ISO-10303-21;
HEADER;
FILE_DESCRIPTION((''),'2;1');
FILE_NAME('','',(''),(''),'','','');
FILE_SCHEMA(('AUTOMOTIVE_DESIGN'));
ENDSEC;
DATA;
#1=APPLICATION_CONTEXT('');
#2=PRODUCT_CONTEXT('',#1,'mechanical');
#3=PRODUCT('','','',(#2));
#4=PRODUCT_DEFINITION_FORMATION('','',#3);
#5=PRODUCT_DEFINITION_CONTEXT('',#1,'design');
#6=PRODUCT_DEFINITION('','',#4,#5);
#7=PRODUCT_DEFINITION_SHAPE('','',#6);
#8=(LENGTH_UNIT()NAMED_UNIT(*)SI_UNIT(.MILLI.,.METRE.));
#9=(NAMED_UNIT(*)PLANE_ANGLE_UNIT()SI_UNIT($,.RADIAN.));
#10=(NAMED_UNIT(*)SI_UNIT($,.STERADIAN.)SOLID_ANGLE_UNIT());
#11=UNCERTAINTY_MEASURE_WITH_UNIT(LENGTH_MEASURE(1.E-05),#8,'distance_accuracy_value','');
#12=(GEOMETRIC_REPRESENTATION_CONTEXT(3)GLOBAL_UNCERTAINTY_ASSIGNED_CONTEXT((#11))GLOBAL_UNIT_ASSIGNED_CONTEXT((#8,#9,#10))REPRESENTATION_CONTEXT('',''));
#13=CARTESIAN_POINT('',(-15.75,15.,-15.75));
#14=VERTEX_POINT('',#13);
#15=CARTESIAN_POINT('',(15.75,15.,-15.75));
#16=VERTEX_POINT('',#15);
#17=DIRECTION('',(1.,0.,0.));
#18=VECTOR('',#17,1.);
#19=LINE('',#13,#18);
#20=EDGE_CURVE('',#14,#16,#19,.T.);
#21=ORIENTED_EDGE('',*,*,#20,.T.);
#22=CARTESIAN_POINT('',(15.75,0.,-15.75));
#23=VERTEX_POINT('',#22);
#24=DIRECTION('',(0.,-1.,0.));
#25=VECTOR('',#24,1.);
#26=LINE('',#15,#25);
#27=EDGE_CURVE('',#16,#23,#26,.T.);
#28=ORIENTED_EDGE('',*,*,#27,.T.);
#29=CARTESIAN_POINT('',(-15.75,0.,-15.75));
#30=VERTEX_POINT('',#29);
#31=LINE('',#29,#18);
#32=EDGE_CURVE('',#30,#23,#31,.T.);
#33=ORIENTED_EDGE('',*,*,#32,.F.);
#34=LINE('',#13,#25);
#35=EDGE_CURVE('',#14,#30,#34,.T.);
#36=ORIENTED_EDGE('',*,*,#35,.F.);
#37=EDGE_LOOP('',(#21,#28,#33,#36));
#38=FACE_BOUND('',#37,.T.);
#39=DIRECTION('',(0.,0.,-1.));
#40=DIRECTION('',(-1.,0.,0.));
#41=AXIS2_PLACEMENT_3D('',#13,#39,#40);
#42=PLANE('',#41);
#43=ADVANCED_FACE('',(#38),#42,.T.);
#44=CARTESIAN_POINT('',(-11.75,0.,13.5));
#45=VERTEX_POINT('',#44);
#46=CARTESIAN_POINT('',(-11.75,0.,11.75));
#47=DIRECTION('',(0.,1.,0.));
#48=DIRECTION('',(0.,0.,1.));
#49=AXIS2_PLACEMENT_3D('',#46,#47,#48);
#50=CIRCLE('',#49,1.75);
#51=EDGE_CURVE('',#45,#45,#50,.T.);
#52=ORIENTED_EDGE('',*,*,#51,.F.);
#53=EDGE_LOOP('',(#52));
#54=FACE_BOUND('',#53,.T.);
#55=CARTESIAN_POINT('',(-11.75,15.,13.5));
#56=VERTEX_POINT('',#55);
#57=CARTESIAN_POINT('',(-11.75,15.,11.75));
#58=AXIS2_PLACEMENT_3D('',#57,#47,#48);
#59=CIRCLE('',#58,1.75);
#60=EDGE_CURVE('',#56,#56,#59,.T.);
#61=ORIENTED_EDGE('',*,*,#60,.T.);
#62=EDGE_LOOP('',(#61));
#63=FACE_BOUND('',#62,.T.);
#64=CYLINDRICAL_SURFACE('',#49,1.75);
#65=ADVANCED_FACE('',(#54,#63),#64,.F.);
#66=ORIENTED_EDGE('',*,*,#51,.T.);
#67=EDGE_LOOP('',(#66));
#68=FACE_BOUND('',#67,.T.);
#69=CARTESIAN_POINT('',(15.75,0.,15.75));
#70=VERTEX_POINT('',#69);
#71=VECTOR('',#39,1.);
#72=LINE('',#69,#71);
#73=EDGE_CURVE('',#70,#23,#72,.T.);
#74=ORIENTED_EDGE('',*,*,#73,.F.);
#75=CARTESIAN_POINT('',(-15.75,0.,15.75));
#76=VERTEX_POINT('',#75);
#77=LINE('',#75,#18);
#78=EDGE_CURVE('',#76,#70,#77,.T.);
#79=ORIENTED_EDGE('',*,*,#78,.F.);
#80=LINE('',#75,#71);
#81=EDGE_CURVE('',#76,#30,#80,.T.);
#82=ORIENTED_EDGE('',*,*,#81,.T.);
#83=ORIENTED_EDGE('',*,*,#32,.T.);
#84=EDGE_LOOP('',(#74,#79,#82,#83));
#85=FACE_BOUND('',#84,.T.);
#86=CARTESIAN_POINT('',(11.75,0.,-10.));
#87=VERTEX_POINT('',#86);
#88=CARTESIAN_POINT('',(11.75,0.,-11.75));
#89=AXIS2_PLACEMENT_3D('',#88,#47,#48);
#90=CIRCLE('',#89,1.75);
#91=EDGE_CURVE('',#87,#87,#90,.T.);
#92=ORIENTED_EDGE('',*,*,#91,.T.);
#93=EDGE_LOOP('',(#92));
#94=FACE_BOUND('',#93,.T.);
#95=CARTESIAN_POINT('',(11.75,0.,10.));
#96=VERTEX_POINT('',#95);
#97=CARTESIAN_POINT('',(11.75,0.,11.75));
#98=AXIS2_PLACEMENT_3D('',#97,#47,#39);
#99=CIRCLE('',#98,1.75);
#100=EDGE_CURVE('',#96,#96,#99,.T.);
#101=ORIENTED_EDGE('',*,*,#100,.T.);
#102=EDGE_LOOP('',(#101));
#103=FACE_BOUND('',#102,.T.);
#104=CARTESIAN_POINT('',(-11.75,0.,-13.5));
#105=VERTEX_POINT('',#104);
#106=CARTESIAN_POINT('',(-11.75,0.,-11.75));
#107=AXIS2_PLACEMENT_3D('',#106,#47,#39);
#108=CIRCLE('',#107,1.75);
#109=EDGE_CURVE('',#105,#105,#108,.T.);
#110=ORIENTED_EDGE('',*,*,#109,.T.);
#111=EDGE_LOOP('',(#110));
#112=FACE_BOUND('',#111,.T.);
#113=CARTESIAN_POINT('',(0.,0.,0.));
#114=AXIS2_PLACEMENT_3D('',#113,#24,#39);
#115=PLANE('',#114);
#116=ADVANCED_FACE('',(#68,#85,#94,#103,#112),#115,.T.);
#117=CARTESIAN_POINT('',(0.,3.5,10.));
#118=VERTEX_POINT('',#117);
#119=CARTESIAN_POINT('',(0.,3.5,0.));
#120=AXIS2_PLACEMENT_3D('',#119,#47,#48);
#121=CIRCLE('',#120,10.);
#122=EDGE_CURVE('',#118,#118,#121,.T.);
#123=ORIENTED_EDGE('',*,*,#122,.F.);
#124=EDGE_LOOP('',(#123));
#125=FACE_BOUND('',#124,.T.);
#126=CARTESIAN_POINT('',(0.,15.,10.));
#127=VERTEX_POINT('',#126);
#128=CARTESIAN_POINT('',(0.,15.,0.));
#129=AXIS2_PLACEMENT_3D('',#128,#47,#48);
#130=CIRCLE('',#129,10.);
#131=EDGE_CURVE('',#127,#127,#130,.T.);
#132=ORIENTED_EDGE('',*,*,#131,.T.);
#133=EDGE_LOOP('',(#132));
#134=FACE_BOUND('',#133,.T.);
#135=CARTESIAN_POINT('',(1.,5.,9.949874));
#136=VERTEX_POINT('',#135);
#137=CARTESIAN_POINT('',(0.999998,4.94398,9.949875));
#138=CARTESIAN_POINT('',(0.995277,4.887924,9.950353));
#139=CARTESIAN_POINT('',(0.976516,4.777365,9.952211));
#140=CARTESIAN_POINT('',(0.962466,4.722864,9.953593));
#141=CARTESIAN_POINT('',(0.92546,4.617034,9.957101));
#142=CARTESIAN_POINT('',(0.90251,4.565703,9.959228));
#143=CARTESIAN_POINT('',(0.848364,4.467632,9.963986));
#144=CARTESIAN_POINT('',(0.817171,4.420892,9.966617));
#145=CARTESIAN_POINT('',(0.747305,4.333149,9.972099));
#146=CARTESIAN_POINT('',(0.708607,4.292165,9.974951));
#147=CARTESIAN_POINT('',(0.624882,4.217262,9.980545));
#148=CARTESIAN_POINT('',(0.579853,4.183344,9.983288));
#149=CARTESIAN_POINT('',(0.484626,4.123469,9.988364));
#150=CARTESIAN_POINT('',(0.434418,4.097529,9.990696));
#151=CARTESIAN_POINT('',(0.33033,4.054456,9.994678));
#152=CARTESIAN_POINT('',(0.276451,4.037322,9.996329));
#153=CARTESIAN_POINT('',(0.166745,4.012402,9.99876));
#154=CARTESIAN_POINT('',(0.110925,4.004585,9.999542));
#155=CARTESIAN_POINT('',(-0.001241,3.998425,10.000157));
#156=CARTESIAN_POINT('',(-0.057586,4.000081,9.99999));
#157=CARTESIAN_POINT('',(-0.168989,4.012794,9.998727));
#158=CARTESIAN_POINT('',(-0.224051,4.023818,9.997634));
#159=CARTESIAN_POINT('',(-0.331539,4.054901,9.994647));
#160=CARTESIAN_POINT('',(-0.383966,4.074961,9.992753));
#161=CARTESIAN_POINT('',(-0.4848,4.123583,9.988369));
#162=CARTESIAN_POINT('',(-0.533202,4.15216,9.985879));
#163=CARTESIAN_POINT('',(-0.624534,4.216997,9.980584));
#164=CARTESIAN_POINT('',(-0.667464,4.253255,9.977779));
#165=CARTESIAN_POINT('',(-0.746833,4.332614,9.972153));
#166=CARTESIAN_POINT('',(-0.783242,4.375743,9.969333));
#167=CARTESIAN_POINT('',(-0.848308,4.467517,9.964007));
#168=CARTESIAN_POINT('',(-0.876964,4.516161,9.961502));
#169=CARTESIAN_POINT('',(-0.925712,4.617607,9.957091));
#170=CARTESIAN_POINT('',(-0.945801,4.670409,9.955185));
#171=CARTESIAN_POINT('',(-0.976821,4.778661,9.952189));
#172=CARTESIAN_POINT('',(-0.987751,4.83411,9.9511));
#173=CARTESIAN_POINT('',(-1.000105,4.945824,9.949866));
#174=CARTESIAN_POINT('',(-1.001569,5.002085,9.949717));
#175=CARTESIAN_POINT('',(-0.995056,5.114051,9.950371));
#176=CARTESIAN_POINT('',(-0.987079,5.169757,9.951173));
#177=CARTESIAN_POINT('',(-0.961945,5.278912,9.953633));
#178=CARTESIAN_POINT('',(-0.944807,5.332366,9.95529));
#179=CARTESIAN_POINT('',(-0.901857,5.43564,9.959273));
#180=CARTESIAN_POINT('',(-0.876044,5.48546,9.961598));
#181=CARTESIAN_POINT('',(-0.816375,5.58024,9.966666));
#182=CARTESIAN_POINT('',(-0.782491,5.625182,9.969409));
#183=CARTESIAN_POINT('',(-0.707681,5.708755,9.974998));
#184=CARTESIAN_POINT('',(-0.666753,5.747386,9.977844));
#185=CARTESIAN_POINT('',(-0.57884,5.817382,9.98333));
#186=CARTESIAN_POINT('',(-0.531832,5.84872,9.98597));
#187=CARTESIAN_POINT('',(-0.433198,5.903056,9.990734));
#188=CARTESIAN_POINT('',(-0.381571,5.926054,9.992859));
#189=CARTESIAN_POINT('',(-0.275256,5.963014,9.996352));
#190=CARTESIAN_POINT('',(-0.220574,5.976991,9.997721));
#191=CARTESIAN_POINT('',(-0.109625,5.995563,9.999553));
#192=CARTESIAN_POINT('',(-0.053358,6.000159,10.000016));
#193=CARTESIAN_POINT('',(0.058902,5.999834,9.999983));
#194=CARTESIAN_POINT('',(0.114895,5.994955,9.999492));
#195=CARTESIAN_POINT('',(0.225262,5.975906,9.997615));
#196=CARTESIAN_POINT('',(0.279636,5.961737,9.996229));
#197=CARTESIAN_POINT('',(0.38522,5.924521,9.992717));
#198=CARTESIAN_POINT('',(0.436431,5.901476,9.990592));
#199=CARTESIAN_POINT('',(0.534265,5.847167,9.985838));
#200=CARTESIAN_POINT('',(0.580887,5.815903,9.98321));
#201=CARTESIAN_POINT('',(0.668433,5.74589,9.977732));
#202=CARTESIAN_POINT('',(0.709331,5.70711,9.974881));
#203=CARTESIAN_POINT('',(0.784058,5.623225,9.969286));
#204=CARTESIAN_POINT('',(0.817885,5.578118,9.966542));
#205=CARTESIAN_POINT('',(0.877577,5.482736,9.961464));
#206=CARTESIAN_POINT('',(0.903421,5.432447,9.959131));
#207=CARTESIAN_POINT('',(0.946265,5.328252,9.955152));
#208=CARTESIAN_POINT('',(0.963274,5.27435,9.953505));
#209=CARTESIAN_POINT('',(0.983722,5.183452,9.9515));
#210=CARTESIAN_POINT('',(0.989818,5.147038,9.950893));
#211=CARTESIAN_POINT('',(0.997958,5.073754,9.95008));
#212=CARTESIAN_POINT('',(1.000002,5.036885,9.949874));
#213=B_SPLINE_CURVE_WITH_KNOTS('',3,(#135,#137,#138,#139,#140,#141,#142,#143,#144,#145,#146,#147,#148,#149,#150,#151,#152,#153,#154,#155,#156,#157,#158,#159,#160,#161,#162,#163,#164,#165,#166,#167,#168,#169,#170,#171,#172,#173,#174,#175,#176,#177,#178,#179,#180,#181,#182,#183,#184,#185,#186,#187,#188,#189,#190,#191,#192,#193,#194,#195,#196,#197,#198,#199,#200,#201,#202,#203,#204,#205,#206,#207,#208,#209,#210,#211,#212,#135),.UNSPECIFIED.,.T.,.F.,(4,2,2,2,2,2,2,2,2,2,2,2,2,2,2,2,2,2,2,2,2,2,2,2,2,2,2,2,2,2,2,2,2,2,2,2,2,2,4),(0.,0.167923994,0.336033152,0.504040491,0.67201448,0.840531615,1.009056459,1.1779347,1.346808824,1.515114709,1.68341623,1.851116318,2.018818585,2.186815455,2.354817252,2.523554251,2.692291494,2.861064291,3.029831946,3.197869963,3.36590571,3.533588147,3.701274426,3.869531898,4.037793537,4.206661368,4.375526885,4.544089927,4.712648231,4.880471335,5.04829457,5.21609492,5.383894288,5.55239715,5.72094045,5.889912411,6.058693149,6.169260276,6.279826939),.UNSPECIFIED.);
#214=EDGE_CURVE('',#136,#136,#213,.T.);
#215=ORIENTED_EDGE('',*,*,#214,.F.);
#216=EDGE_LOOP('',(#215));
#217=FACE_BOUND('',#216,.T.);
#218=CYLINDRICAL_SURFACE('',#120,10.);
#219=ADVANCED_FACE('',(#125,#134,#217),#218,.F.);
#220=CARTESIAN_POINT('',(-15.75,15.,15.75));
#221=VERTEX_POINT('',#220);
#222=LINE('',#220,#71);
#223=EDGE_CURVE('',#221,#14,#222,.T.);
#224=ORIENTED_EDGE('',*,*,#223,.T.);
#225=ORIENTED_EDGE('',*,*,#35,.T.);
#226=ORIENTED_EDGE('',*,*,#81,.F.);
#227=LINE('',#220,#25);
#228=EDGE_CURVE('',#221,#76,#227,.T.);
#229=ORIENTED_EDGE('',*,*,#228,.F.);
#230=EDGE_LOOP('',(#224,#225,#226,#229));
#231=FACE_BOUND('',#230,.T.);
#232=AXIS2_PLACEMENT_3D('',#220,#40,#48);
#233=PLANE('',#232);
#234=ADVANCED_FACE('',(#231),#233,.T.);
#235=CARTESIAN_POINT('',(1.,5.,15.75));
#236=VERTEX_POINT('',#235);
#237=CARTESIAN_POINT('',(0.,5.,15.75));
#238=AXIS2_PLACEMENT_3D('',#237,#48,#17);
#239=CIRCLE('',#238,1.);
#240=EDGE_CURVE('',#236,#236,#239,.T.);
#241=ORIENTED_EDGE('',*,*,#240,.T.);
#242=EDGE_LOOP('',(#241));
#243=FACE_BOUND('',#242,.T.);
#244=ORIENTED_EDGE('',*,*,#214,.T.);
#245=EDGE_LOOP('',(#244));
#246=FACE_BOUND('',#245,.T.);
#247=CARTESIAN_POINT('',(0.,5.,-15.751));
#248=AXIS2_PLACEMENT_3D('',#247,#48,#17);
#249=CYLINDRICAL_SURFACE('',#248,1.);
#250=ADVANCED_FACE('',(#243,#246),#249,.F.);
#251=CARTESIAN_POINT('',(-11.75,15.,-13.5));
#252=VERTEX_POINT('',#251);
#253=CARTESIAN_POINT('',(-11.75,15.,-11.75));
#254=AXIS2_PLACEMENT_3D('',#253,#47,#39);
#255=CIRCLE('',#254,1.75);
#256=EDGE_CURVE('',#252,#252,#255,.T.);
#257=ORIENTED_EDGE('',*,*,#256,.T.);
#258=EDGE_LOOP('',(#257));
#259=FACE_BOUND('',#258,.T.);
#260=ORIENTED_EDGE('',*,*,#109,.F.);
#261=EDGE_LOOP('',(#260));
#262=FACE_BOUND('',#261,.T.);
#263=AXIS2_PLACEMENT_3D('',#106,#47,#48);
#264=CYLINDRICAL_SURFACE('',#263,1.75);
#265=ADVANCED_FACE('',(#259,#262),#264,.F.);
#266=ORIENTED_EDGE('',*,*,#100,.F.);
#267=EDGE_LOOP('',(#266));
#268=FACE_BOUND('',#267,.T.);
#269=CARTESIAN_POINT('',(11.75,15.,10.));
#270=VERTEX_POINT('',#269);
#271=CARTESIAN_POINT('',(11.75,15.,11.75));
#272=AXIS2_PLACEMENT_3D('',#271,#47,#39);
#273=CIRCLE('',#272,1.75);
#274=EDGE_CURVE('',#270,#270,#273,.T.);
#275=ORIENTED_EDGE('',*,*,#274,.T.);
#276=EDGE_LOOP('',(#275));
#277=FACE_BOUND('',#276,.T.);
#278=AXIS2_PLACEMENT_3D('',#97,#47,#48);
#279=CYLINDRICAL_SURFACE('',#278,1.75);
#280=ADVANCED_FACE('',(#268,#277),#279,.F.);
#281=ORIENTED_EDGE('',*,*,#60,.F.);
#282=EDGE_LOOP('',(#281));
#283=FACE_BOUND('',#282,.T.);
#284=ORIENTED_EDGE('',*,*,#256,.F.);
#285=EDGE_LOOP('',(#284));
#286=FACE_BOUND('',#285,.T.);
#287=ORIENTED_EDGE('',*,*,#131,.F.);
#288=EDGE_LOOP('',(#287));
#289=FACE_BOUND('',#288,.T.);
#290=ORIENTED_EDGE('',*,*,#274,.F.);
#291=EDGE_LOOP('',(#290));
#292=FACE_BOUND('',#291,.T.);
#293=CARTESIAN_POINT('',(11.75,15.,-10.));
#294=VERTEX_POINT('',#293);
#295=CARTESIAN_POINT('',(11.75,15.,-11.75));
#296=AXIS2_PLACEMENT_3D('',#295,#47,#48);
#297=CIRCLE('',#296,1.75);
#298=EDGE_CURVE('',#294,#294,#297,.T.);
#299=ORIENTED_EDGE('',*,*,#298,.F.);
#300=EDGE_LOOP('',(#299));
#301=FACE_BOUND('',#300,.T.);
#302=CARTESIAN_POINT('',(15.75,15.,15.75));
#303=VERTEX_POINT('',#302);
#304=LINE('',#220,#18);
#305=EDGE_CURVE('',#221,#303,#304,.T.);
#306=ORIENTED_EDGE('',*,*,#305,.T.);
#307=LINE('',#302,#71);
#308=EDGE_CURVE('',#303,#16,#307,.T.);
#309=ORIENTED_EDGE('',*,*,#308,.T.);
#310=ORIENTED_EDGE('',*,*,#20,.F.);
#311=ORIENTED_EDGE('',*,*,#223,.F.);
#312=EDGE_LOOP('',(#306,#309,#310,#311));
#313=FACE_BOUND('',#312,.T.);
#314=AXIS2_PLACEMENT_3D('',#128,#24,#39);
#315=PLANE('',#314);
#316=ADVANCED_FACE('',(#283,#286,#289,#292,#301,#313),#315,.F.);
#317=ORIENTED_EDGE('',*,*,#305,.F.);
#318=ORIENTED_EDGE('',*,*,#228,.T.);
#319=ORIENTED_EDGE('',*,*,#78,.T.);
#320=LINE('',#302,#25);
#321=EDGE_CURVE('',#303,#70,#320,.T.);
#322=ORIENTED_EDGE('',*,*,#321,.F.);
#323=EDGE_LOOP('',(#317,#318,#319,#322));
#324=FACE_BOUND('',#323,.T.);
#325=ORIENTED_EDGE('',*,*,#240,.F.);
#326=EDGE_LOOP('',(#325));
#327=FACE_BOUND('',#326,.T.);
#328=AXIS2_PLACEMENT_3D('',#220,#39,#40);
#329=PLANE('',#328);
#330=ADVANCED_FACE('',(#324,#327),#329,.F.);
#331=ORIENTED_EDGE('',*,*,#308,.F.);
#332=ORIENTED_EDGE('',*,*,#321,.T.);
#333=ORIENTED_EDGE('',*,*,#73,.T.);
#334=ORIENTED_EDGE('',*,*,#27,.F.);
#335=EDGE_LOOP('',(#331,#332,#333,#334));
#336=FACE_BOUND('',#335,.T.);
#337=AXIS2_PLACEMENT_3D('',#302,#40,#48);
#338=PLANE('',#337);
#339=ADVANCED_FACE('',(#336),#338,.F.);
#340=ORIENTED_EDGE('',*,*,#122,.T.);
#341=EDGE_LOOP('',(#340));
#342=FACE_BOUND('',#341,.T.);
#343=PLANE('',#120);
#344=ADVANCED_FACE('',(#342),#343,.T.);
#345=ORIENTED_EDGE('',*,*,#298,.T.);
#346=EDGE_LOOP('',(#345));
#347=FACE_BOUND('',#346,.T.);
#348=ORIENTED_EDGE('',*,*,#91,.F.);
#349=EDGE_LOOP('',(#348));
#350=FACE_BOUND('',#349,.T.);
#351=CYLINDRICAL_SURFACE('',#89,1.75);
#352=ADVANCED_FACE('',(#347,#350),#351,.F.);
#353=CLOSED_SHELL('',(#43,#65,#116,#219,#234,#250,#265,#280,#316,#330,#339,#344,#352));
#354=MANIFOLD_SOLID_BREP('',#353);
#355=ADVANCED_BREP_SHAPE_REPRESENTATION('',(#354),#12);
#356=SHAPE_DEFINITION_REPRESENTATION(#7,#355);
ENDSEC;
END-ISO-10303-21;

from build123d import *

# Parameters (mm, degrees)
CROQUIS1_W                 = 31.5
CROQUIS1_H                 = 31.5
SALIENTE_EXTRUIR1_DEPTH    = 15
CROQUIS3_R                 = 10
CORTAR_EXTRUIR1_DEPTH      = 11.5
CROQUIS6_R                 = 1.75
CORTAR_EXTRUIR2_DEPTH      = 27.853770685
CORTAR_EXTRUIR3_REACH      = 40.279
CORTAR_EXTRUIR3_END_RADIUS = 10
CROQUIS7_R                 = 1


with BuildPart() as part:
    # Croquis1 → Saliente-Extruir1 (new body)
    with BuildSketch(Plane(origin=(0, 0, 0), x_dir=(1, 0, 0), z_dir=(0, 1, 0))):
        Rectangle(CROQUIS1_W, CROQUIS1_H)
    extrude(amount=SALIENTE_EXTRUIR1_DEPTH)

    # Croquis3 → Cortar-Extruir1 (cut)
    with BuildSketch(Plane(origin=(0, 15, 0), x_dir=(1, 0, 0), z_dir=(0, 1, 0))):
        with Locations(Location((0, 0, 0), (0, 0, 270))):
            Circle(CROQUIS3_R)
    extrude(amount=-CORTAR_EXTRUIR1_DEPTH, mode=Mode.SUBTRACT)

    # Croquis6 → Cortar-Extruir2 (cut, through all)
    with BuildSketch(Plane(origin=(0, 15, 0), x_dir=(1, 0, 0), z_dir=(0, 1, 0))):
        with Locations(Location((-11.75, -11.75, 0), (0, 0, 270))):
            Circle(CROQUIS6_R)
        with Locations(Location((11.75, -11.75, 0), (0, 0, 90))):
            Circle(CROQUIS6_R)
        with Locations(Location((11.75, 11.75, 0), (0, 0, 270))):
            Circle(CROQUIS6_R)
        with Locations(Location((-11.75, 11.75, 0), (0, 0, 90))):
            Circle(CROQUIS6_R)
    extrude(amount=-CORTAR_EXTRUIR2_DEPTH, mode=Mode.SUBTRACT)

    # Cortar-Extruir3: up to this cylinder (the profile starts outside it)
    cortar_extruir3_end = Plane(origin=(0, 5, 0), z_dir=(0, 1, 0)) * Cylinder(CORTAR_EXTRUIR3_END_RADIUS, 101.558, mode=Mode.PRIVATE)
    # Croquis7 → Cortar-Extruir3 (cut, up to the surface)
    with BuildSketch(Plane.XY.offset(15.75), mode=Mode.PRIVATE) as cortar_extruir3_sk1:
        with Locations((0, 5)):
            Circle(CROQUIS7_R)
    cortar_extruir3_tool1 = extrude(cortar_extruir3_sk1.sketch, amount=-CORTAR_EXTRUIR3_REACH, mode=Mode.PRIVATE) - cortar_extruir3_end
    add(cortar_extruir3_tool1.solids().sort_by_distance((0, 5, 15.75))[0], mode=Mode.SUBTRACT)


solid = part.part
